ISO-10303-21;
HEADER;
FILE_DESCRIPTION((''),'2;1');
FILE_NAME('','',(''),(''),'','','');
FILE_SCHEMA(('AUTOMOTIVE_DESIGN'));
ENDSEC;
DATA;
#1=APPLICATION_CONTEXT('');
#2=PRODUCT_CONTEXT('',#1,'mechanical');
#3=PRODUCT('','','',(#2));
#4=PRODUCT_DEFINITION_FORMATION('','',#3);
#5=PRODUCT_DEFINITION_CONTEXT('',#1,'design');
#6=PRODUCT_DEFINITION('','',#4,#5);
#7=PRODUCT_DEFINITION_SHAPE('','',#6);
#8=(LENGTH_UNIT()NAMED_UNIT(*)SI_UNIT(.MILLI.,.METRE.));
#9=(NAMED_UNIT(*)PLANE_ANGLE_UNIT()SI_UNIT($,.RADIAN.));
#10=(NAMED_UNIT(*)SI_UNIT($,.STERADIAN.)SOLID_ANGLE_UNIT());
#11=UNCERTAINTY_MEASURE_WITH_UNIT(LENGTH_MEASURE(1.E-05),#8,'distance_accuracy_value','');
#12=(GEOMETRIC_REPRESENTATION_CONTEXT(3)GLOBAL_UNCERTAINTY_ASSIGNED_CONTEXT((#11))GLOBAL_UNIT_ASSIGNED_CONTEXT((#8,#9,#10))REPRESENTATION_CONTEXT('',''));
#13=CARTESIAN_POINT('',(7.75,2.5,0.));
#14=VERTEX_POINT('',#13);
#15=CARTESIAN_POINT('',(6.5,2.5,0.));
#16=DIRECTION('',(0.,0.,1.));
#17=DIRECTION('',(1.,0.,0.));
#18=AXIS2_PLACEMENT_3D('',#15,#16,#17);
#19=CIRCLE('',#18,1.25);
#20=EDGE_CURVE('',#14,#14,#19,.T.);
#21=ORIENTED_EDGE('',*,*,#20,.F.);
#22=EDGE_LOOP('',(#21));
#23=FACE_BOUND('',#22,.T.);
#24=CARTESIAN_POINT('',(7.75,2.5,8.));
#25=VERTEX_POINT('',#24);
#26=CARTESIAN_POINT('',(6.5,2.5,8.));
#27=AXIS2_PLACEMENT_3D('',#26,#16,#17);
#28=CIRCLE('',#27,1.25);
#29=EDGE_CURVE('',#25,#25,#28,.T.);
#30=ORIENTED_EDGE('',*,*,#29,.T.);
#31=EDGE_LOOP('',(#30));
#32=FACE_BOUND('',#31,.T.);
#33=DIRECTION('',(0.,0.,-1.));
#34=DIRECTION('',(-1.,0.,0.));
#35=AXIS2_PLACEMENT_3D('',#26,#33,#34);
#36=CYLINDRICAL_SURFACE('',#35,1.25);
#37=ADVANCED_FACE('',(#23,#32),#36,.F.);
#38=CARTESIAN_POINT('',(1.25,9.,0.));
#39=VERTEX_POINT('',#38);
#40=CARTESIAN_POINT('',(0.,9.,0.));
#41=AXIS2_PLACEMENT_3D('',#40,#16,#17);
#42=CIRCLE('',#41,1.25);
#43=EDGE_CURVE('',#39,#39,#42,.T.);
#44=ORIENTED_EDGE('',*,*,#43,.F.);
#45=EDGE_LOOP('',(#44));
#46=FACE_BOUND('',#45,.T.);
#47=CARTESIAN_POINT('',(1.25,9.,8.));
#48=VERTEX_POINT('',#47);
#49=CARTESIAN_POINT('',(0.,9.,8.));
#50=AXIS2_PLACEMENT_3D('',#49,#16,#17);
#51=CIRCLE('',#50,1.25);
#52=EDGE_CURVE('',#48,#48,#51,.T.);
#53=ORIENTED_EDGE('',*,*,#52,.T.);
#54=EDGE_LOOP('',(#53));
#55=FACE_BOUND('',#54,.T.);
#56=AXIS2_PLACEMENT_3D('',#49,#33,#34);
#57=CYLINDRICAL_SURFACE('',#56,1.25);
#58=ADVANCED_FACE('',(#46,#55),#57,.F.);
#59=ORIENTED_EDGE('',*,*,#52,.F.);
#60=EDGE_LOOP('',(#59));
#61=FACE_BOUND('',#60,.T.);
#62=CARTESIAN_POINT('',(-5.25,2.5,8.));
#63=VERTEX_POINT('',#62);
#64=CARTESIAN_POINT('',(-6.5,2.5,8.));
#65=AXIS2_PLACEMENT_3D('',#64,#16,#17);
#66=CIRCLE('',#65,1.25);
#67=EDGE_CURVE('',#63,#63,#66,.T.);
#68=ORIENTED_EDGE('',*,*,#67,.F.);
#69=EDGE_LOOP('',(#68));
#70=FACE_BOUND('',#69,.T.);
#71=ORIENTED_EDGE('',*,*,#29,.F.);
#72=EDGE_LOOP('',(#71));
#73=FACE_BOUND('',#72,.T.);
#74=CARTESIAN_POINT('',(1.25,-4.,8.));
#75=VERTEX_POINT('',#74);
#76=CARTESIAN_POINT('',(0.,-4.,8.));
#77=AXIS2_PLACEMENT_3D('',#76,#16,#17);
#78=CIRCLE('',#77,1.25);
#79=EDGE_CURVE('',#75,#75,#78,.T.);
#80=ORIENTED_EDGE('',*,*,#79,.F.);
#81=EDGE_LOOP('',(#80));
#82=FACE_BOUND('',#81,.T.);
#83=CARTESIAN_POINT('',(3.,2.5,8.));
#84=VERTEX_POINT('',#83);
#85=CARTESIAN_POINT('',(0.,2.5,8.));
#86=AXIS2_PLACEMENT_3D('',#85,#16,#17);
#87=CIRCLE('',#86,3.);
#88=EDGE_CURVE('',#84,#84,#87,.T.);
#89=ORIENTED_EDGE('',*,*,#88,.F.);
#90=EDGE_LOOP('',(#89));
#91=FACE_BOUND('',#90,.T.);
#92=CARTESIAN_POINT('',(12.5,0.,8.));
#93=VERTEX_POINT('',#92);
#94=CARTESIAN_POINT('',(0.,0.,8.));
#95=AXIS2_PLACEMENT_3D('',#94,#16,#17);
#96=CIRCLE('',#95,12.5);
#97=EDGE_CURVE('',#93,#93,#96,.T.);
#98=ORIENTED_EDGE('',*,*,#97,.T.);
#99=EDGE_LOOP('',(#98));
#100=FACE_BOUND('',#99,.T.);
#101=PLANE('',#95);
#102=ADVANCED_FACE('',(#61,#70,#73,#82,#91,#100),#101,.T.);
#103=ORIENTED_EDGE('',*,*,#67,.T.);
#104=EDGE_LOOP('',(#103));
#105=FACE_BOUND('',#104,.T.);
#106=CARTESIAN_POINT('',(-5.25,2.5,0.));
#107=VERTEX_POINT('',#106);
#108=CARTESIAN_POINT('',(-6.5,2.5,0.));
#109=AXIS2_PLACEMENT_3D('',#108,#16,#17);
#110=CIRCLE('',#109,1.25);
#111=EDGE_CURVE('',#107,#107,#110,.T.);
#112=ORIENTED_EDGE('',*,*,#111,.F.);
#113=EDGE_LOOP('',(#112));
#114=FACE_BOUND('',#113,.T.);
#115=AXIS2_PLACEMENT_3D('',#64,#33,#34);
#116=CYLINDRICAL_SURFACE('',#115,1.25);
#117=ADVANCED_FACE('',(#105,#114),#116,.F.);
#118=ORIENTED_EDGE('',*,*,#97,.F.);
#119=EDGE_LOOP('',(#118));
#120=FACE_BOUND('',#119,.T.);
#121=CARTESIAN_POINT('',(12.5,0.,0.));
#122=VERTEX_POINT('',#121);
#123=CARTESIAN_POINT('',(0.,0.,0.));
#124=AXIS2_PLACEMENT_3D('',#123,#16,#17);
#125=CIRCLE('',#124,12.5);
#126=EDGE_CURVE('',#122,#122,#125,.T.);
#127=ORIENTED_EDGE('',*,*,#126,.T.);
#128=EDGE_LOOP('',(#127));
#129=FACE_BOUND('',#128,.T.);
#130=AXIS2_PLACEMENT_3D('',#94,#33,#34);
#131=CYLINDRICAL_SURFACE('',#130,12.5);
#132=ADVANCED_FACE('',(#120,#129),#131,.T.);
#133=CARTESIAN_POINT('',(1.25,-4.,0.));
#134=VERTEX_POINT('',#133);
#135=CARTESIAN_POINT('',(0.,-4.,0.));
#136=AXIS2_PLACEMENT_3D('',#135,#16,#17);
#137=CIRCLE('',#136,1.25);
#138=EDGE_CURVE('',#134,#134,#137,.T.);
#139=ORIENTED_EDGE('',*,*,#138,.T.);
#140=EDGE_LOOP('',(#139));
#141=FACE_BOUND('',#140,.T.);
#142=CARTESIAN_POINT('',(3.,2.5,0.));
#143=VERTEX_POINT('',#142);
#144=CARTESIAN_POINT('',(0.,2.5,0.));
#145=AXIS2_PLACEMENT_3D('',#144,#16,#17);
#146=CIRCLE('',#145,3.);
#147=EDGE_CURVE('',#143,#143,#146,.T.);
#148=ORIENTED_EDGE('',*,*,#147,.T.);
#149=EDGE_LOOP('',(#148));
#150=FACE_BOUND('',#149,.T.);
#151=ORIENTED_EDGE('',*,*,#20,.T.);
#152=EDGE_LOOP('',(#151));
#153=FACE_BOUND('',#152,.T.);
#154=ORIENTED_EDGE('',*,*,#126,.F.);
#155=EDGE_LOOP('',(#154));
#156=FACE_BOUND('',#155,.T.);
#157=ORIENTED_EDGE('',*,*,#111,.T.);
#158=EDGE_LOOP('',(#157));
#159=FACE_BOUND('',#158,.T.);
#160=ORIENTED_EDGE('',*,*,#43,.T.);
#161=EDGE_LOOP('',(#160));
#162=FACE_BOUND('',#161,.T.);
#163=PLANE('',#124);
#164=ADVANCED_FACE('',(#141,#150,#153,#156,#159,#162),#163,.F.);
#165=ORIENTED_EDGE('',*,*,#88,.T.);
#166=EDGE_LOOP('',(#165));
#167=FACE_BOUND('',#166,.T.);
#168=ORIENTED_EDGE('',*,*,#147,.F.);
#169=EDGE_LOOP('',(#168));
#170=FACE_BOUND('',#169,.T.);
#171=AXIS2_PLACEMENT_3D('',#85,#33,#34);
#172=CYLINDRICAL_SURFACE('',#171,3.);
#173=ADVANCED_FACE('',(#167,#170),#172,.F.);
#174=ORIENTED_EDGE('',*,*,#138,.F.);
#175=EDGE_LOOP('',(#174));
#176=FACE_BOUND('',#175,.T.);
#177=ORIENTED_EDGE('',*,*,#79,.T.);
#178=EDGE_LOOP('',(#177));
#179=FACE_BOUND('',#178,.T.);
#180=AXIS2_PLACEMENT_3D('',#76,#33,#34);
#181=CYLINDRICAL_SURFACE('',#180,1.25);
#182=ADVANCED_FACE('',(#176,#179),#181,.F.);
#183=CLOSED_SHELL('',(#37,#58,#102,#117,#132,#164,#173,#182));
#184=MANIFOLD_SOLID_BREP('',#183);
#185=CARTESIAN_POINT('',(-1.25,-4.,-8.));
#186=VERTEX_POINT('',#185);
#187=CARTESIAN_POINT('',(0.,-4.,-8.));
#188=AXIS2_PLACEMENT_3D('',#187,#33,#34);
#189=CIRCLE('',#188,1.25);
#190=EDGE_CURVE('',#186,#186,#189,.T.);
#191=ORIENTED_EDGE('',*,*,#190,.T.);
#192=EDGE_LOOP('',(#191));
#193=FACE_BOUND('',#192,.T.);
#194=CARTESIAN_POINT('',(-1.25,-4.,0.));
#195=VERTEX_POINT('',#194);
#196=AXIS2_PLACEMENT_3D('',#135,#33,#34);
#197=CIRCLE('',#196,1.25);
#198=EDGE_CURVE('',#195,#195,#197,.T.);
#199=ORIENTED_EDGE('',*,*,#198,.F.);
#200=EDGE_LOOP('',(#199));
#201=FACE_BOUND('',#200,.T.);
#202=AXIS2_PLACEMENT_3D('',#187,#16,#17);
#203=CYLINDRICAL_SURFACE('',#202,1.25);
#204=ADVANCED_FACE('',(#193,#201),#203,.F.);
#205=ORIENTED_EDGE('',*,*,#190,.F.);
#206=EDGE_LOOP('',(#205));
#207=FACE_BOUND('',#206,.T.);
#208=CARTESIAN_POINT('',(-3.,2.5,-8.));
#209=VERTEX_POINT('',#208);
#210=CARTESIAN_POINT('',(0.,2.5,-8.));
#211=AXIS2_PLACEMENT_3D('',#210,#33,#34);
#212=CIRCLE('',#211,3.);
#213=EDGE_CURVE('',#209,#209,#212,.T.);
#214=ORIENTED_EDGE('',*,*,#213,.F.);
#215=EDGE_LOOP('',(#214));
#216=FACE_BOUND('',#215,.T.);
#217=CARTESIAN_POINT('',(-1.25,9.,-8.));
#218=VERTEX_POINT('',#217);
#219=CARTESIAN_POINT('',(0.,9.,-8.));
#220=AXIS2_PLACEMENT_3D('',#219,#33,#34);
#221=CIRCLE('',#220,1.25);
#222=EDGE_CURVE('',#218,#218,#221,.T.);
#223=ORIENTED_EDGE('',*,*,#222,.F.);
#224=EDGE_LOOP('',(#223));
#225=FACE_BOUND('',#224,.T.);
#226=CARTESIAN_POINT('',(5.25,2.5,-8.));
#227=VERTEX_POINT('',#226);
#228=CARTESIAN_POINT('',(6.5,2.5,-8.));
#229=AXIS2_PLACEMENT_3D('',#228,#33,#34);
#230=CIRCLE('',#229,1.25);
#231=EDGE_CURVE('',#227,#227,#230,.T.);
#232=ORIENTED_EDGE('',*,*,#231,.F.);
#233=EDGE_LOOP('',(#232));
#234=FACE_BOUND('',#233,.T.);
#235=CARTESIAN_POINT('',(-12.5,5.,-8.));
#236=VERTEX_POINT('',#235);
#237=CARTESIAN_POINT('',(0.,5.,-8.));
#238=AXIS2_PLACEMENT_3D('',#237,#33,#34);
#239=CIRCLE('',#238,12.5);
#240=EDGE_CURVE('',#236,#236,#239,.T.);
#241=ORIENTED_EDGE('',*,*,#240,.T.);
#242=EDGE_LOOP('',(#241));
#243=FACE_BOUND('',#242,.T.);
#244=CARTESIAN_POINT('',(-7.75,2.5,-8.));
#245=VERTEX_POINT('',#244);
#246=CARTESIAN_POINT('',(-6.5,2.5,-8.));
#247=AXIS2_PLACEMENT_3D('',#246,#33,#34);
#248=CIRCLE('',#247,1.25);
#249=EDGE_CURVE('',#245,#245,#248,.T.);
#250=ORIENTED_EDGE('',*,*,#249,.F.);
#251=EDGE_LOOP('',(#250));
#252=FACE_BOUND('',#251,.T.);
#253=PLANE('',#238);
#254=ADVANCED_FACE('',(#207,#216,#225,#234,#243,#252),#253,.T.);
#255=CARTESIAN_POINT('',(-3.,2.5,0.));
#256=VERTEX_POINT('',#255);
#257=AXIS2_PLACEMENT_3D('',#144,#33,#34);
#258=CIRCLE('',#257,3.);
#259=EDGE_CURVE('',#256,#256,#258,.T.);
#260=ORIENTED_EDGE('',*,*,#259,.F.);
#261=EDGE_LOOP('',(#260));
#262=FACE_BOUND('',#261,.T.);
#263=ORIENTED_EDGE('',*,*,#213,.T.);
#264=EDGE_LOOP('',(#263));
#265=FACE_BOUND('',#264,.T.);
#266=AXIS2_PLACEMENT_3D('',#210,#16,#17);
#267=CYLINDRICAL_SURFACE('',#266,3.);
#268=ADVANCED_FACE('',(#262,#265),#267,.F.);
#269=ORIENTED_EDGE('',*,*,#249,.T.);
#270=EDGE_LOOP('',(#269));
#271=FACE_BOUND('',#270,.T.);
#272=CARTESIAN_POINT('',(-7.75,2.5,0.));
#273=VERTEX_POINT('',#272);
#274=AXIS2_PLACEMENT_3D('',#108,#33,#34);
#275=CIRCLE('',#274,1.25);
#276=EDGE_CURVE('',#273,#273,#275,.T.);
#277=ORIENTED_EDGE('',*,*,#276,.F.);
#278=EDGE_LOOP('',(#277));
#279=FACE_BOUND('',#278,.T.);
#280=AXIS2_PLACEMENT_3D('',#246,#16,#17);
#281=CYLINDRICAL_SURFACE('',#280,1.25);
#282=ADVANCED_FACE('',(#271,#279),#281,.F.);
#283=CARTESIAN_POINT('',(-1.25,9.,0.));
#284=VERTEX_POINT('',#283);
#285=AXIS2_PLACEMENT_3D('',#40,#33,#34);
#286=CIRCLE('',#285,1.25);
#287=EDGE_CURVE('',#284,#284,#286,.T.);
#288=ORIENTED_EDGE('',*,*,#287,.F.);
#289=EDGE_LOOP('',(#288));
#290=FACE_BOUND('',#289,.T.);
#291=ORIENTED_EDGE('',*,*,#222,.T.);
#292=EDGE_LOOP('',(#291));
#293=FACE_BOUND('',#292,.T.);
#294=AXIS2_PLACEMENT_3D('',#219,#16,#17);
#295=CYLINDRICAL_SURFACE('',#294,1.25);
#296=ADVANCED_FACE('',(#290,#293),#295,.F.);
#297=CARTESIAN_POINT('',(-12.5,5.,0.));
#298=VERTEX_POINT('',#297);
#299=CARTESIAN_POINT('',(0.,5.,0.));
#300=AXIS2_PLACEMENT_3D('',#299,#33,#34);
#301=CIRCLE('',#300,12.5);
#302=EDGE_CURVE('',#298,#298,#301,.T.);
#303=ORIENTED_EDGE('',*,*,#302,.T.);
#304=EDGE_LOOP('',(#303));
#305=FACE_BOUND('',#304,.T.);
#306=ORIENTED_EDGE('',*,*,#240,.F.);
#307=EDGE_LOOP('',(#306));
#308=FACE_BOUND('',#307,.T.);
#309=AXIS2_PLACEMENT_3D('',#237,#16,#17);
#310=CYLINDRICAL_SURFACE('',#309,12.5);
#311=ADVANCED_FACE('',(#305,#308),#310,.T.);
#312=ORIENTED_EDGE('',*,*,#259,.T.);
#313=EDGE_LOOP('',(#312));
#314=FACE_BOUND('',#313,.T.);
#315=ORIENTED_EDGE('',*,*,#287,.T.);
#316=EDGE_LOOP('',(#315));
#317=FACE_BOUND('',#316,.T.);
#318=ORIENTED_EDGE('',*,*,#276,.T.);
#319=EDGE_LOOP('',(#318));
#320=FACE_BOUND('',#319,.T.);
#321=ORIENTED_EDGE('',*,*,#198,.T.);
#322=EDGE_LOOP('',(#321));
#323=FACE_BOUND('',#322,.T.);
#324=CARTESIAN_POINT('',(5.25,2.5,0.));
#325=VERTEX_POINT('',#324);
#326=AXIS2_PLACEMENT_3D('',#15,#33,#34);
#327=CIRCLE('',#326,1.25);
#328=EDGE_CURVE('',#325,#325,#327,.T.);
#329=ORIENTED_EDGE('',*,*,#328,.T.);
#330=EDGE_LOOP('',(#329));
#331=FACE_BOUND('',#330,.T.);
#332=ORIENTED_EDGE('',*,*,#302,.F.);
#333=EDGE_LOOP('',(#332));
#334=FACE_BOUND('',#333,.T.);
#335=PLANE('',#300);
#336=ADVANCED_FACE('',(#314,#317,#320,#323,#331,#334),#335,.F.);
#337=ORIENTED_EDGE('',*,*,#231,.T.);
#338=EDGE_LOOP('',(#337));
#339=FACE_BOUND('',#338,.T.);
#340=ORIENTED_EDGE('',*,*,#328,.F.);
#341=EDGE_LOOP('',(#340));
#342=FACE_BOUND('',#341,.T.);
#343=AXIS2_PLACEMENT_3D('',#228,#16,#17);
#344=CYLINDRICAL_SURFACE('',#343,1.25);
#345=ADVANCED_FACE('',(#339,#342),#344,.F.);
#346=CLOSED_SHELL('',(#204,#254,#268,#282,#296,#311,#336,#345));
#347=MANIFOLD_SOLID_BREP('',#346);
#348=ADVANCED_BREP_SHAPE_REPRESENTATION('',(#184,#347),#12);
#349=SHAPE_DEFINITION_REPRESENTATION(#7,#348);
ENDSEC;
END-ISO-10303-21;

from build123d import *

# Parameters (mm, degrees)
SKETCH_1_R      = 12.5
SKETCH_1_R_2    = 1.25
SKETCH_1_R_3    = 3
EXTRUDE_3_DEPTH = 8
SKETCH_4_R      = 12.5
SKETCH_4_R_2    = 1.25
SKETCH_4_R_3    = 3
EXTRUDE_4_DEPTH = 8


with BuildPart() as part:
    # ｽｹｯﾁ1 → ﾎﾞｽ - 押し出し3 (new body)
    with BuildSketch(Plane.XY):
        Circle(SKETCH_1_R)
        with Locations((0, -4)):
            Circle(SKETCH_1_R_2, mode=Mode.SUBTRACT)
        with Locations((-6.5, 2.5)):
            Circle(SKETCH_1_R_2, mode=Mode.SUBTRACT)
        with Locations((0, 9)):
            Circle(SKETCH_1_R_2, mode=Mode.SUBTRACT)
        with Locations((6.5, 2.5)):
            Circle(SKETCH_1_R_2, mode=Mode.SUBTRACT)
        with Locations((0, 2.5)):
            Circle(SKETCH_1_R_3, mode=Mode.SUBTRACT)
    extrude(amount=EXTRUDE_3_DEPTH)


with BuildPart() as body_2:
    # ｽｹｯﾁ4 → ﾎﾞｽ - 押し出し4 (new body)
    with BuildSketch(Plane(origin=(0, 0, 0), x_dir=(-1, 0, 0), z_dir=(0, 0, -1))):
        with Locations((0, 5)):
            Circle(SKETCH_4_R)
        with Locations((0, 9)):
            Circle(SKETCH_4_R_2, mode=Mode.SUBTRACT)
        with Locations((6.5, 2.5)):
            Circle(SKETCH_4_R_2, mode=Mode.SUBTRACT)
        with Locations((0, -4)):
            Circle(SKETCH_4_R_2, mode=Mode.SUBTRACT)
        with Locations((-6.5, 2.5)):
            Circle(SKETCH_4_R_2, mode=Mode.SUBTRACT)
        with Locations((0, 2.5)):
            Circle(SKETCH_4_R_3, mode=Mode.SUBTRACT)
    extrude(amount=EXTRUDE_4_DEPTH)


solid = Compound([part.part, body_2.part])
